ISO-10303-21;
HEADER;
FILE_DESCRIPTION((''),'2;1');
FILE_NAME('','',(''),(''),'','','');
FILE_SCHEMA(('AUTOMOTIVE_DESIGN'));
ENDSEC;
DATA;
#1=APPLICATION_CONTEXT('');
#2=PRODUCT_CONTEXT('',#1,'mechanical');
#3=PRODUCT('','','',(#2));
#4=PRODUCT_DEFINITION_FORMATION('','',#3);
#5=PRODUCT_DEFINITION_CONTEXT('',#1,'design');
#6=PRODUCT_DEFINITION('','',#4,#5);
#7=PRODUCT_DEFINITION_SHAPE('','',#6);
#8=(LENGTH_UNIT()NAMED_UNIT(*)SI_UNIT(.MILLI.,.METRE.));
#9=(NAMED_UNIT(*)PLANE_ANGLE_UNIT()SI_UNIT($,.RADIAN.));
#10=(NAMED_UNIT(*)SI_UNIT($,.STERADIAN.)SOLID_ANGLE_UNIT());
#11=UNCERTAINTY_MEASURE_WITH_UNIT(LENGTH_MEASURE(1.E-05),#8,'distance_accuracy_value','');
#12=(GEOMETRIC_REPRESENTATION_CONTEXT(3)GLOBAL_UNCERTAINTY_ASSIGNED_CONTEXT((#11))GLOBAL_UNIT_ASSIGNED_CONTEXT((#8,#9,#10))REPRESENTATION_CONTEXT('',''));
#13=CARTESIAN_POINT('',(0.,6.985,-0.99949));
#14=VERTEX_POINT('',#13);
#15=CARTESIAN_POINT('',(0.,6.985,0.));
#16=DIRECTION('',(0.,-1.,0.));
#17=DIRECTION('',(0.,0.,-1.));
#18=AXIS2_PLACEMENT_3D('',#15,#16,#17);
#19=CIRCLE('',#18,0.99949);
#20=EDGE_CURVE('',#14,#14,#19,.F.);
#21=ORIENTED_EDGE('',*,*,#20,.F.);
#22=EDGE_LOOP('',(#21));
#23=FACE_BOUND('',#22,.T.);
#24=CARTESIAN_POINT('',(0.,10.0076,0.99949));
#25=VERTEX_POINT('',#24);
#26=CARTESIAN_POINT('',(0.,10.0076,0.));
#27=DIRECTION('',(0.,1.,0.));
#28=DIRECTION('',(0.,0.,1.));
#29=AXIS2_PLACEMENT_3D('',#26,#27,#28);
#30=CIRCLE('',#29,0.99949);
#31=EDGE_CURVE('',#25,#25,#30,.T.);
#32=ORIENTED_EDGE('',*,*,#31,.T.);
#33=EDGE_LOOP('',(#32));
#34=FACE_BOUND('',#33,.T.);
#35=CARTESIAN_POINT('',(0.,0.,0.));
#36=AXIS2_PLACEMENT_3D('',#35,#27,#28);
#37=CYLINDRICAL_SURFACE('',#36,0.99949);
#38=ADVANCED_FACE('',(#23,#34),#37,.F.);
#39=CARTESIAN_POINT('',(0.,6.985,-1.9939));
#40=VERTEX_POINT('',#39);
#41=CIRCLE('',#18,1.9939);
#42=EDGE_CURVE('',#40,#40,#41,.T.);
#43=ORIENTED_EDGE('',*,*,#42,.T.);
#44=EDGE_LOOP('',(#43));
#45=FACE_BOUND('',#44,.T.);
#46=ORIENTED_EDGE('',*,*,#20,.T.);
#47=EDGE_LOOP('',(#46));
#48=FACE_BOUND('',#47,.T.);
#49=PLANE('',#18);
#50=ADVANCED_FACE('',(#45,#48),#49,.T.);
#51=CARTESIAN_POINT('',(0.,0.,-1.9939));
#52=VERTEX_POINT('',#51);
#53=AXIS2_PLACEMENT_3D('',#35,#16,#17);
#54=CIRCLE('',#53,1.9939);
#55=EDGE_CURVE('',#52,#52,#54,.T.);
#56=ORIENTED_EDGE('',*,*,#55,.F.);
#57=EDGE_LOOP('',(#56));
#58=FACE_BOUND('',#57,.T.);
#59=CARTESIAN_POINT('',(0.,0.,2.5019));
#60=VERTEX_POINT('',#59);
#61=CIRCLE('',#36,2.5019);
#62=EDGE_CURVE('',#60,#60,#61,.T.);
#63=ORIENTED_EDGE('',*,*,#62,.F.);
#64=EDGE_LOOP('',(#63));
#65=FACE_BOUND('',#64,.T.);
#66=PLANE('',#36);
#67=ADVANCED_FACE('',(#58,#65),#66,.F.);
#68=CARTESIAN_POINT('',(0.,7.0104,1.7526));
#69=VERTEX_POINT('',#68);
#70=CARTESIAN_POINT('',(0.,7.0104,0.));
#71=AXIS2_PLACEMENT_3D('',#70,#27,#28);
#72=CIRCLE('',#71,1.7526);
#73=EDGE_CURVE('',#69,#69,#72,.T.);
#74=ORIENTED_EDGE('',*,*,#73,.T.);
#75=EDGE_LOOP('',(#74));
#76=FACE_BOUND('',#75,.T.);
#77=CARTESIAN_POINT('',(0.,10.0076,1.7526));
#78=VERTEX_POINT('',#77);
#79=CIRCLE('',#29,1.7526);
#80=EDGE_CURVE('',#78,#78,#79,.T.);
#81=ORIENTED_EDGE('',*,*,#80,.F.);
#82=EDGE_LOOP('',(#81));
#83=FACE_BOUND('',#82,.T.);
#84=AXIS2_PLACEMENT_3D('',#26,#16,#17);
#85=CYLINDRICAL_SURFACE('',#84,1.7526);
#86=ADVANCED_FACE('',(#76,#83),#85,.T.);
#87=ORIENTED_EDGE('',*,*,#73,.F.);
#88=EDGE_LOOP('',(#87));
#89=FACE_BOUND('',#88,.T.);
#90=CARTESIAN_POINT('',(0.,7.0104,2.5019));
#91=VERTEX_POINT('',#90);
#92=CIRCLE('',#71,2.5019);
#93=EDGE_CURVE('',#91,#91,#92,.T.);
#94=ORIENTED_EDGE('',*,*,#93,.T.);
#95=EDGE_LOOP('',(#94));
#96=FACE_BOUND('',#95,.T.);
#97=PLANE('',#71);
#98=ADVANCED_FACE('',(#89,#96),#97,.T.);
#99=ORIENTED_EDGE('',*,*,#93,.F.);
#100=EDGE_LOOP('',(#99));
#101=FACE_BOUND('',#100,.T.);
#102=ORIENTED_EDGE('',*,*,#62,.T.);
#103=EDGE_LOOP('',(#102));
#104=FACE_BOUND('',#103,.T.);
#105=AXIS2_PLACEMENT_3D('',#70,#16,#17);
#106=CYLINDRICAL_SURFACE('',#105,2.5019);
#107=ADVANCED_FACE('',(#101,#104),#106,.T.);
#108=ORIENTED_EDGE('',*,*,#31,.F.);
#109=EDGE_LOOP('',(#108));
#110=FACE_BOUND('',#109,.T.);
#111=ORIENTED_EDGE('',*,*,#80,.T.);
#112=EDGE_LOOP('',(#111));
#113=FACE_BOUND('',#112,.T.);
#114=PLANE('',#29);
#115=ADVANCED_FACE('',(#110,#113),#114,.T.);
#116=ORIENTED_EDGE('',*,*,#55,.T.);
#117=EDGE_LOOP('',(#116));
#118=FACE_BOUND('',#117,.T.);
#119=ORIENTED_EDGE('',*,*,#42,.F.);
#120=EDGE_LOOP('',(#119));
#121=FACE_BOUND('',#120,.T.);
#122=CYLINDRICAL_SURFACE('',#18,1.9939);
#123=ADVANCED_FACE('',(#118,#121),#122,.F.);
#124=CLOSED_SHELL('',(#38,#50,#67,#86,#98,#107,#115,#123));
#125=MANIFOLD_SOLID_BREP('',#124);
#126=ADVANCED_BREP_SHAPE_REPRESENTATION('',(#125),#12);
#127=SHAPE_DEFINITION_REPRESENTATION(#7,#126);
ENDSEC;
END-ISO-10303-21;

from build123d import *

# Parameters (mm, degrees)
SKETCH1_R           = 2.5019
BOSS_EXTRUDE1_DEPTH = 7.0104
SKETCH2_R           = 1.7526
BOSS_EXTRUDE2_DEPTH = 2.9972
SKETCH3_R           = 0.99949
CUT_EXTRUDE1_DEPTH  = 11.0076
SKETCH4_R           = 1.9939
CUT_EXTRUDE2_DEPTH  = 6.985


with BuildPart() as part:
    # Sketch1 → Boss-Extrude1 (new body)
    with BuildSketch(Plane(origin=(0, 0, 0), x_dir=(1, 0, 0), z_dir=(0, 1, 0))):
        Circle(SKETCH1_R)
    extrude(amount=BOSS_EXTRUDE1_DEPTH)

    # Sketch2 → Boss-Extrude2 (add)
    with BuildSketch(Plane(origin=(0, 7.0104, 0), x_dir=(1, 0, 0), z_dir=(0, 1, 0))):
        Circle(SKETCH2_R)
    extrude(amount=BOSS_EXTRUDE2_DEPTH)

    # Sketch3 → Cut-Extrude1 (cut, through all)
    with BuildSketch(Plane(origin=(0, 10.0076, 0), x_dir=(1, 0, 0), z_dir=(0, 1, 0))):
        Circle(SKETCH3_R)
    extrude(amount=-CUT_EXTRUDE1_DEPTH, mode=Mode.SUBTRACT)

    # Sketch4 → Cut-Extrude2 (cut)
    with BuildSketch(Plane.XZ):
        Circle(SKETCH4_R)
    extrude(amount=-CUT_EXTRUDE2_DEPTH, mode=Mode.SUBTRACT)


solid = part.part
